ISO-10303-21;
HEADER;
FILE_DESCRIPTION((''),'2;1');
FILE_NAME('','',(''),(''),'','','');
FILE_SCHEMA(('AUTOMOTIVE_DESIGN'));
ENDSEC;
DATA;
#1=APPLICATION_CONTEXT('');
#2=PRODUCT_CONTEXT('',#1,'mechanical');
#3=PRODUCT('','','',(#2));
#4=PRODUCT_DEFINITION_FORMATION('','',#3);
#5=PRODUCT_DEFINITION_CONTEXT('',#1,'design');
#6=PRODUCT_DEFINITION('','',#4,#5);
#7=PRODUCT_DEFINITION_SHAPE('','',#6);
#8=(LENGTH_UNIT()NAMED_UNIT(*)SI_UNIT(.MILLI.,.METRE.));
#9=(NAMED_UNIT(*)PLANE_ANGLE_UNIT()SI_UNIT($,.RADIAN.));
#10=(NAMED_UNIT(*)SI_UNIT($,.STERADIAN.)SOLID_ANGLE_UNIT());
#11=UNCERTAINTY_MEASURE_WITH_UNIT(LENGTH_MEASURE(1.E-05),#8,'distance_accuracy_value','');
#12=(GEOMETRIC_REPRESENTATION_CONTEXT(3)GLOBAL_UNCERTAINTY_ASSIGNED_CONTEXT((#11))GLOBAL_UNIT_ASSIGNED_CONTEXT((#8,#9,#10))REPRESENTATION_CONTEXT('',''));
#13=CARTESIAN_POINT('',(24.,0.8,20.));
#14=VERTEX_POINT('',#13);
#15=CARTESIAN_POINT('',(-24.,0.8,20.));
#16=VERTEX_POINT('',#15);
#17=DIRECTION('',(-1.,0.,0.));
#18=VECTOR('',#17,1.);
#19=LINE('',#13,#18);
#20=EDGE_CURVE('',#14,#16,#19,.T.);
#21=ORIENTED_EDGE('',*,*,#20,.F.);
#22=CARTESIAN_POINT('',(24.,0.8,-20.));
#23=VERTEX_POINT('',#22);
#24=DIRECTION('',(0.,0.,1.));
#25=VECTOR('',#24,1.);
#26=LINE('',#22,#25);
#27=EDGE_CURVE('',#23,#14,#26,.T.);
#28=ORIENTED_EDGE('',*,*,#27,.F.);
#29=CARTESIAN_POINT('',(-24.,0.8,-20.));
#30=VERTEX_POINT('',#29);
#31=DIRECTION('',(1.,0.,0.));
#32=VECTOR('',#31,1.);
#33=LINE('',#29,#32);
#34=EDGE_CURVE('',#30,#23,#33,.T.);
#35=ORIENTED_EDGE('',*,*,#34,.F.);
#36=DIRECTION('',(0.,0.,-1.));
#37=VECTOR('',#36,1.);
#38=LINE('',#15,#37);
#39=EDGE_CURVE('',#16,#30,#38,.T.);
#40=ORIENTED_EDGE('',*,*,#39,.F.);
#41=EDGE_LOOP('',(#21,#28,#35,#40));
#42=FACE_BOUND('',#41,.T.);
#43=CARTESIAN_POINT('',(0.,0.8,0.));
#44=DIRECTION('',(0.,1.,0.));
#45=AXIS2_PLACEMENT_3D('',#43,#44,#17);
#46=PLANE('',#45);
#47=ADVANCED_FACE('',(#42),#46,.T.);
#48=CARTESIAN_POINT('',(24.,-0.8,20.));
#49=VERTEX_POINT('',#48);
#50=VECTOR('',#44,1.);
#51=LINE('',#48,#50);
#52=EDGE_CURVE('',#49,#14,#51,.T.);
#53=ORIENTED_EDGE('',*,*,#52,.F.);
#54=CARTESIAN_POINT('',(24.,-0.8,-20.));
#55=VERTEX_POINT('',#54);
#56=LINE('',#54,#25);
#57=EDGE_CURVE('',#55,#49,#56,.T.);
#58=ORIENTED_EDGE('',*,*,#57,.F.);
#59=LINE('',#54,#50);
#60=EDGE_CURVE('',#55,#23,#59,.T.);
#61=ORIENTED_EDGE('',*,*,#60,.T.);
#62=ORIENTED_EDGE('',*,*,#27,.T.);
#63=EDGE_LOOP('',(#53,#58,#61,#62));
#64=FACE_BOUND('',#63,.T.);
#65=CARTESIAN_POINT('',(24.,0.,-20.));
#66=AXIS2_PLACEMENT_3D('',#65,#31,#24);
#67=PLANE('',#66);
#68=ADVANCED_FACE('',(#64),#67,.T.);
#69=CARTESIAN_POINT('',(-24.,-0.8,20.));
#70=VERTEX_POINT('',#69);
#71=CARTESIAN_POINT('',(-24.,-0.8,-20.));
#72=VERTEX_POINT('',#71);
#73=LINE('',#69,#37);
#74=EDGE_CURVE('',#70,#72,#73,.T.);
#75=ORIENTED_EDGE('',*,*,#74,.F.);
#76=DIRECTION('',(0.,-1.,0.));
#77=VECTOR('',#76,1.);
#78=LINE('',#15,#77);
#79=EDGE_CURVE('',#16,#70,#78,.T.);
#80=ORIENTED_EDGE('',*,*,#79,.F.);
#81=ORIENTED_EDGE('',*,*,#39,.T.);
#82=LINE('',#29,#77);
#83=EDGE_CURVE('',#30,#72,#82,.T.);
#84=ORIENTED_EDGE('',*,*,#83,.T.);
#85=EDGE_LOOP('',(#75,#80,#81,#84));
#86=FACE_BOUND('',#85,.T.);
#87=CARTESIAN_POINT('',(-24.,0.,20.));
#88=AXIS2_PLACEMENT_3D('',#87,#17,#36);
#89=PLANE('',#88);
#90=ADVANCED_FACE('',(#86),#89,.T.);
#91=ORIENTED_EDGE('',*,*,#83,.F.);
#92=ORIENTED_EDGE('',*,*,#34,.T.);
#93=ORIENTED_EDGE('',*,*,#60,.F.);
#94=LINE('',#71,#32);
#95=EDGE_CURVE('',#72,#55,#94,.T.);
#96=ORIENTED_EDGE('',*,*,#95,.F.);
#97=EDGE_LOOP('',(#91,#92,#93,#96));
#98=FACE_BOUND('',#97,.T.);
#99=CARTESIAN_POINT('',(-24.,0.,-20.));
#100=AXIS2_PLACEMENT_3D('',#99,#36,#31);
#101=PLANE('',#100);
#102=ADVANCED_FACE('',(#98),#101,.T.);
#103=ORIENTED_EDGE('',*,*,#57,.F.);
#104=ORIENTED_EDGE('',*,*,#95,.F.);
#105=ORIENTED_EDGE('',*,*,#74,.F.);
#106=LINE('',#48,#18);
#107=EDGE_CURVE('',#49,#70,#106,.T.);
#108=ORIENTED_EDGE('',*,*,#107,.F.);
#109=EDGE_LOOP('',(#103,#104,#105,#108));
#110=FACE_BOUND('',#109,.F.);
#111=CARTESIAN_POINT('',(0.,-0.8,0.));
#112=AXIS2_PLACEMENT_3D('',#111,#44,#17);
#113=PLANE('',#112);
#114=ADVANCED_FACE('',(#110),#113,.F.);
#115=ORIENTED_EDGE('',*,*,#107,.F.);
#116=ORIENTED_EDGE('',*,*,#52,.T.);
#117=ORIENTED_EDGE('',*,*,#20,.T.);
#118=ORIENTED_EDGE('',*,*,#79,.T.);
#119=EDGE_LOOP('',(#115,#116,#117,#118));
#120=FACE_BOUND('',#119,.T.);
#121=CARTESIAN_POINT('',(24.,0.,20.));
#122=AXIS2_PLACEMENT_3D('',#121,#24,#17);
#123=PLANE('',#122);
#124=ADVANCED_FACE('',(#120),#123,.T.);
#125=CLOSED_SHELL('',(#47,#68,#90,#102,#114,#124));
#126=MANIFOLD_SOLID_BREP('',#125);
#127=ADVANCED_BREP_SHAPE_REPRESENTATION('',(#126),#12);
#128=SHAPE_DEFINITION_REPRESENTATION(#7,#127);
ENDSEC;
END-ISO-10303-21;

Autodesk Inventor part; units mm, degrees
ref_plane "YZ Plane" through (0, 0, 0) normal (1, 0, 0) x (0, 1, 0)
ref_plane "XZ Plane" through (0, 0, 0) normal (0, 1, 0) x (-1, 0, 0)
ref_plane "XY Plane" through (0, 0, 0) normal (0, 0, 1) x (1, 0, 0)
sketch "Sketch2" plane through (0, 0, 0) normal (0, 1, 0) x (-1, 0, 0)
  line L0 (-24, 20) -> (24, 20)
  line L1 (24, 20) -> (24, -20)
  line L2 (24, -20) -> (-24, -20)
  line L3 (-24, -20) -> (-24, 20)
  point P0 (0, 0)
  point P1 (0, 20)
  point P2 (-24, 0)
  dimension "d0" = 40
  dimension "d1" = 48
extrude "Extrusion1" add sketch "Sketch2" along normal mid plane 1.6
equation "\"d2\" = wall"
equation "\"wall\" = 1.6"
properties part number "97622-PCB" material "ABS Plastic"
